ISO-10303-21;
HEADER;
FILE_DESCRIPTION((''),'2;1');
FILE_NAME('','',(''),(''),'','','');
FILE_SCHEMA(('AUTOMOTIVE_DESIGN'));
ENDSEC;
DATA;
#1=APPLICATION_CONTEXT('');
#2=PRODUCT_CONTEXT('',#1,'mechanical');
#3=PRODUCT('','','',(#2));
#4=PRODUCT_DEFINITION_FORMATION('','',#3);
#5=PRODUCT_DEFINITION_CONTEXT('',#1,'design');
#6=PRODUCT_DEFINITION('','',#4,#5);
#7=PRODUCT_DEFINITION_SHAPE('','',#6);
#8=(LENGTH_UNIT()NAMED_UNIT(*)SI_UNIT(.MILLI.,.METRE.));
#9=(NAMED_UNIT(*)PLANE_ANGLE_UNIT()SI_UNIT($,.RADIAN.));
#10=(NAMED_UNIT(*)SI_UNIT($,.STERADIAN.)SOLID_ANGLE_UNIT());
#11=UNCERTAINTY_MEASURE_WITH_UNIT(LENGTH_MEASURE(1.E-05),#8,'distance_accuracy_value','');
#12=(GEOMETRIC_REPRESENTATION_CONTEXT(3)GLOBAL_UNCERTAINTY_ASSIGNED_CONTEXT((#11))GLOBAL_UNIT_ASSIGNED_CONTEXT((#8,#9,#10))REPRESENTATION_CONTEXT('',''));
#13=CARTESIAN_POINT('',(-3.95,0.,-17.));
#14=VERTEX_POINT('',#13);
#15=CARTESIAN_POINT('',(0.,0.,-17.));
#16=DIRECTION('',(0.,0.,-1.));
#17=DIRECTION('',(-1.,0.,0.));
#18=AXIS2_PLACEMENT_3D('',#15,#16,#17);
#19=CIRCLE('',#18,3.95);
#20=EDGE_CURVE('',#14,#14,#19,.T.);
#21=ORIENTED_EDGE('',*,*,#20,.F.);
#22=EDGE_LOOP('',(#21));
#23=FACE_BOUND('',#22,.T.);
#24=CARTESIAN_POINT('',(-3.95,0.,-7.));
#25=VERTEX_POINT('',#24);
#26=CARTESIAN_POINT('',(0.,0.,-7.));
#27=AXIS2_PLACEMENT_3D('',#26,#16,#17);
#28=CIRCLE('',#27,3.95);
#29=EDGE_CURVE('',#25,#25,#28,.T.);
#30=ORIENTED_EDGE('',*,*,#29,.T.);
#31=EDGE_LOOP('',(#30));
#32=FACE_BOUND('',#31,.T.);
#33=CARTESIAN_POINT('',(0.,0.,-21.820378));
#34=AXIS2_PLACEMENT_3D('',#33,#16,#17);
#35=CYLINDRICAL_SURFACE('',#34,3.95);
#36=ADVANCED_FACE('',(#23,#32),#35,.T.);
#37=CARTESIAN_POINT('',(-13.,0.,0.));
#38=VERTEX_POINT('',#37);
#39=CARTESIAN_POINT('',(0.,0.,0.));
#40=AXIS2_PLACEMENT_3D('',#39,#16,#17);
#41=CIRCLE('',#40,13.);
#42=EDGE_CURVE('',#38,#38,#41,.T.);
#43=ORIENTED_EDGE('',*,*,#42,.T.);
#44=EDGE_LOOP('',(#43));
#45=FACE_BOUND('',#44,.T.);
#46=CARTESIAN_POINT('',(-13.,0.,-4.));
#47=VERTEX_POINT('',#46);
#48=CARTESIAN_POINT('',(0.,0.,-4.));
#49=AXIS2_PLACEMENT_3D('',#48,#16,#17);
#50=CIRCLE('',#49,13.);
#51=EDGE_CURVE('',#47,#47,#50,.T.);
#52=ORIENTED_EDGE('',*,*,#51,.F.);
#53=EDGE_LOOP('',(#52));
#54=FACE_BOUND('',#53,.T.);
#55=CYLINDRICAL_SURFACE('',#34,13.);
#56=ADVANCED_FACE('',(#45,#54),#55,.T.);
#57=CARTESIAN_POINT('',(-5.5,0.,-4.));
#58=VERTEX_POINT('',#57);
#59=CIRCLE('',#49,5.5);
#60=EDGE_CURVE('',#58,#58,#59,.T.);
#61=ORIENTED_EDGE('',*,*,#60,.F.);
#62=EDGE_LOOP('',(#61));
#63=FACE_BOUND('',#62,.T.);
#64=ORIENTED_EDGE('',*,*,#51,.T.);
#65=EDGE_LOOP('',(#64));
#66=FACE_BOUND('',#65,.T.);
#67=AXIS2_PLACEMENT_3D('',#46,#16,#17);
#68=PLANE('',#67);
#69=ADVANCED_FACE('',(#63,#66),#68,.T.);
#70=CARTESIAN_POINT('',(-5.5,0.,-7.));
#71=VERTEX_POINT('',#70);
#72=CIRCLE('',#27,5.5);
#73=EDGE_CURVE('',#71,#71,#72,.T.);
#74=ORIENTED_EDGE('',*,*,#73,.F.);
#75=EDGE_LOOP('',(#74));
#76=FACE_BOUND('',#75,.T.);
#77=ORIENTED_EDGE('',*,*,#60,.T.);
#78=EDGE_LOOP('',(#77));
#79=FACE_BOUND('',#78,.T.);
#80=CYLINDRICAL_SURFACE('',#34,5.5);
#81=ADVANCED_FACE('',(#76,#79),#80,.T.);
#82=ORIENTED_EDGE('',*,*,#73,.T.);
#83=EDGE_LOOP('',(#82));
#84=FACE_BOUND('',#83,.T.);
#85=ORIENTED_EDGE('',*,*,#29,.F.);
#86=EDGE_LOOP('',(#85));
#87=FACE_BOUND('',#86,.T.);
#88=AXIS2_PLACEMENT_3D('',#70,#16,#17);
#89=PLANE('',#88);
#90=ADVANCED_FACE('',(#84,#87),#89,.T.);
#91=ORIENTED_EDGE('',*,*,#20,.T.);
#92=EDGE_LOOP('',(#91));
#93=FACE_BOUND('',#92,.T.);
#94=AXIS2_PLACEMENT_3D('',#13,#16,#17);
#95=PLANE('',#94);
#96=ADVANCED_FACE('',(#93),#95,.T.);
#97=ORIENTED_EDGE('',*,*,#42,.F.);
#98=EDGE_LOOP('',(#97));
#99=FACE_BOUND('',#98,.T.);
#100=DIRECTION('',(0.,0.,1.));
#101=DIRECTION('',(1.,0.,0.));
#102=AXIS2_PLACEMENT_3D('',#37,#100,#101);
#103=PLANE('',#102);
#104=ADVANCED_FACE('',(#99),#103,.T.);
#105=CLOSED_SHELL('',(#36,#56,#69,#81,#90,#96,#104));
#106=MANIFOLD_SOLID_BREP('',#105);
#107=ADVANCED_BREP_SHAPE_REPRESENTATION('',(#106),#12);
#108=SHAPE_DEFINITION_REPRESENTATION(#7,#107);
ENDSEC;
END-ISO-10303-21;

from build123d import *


with BuildPart() as part:
    # Croquis2 → Revolución1 (revolve)
    with BuildSketch(Plane(origin=(0, 0, 0), x_dir=(1, 0, 0), z_dir=(0, 1, 0))):
        Polygon((-13, 0), (-13, 4), (-5.5, 4), (-5.5, 7), (-3.95, 7), (-3.95, 17), (0, 17), (0, 0), align=None)
    revolve(axis=Axis((0, 0, -21.82037769), (0, 0, 1)))


solid = part.part
